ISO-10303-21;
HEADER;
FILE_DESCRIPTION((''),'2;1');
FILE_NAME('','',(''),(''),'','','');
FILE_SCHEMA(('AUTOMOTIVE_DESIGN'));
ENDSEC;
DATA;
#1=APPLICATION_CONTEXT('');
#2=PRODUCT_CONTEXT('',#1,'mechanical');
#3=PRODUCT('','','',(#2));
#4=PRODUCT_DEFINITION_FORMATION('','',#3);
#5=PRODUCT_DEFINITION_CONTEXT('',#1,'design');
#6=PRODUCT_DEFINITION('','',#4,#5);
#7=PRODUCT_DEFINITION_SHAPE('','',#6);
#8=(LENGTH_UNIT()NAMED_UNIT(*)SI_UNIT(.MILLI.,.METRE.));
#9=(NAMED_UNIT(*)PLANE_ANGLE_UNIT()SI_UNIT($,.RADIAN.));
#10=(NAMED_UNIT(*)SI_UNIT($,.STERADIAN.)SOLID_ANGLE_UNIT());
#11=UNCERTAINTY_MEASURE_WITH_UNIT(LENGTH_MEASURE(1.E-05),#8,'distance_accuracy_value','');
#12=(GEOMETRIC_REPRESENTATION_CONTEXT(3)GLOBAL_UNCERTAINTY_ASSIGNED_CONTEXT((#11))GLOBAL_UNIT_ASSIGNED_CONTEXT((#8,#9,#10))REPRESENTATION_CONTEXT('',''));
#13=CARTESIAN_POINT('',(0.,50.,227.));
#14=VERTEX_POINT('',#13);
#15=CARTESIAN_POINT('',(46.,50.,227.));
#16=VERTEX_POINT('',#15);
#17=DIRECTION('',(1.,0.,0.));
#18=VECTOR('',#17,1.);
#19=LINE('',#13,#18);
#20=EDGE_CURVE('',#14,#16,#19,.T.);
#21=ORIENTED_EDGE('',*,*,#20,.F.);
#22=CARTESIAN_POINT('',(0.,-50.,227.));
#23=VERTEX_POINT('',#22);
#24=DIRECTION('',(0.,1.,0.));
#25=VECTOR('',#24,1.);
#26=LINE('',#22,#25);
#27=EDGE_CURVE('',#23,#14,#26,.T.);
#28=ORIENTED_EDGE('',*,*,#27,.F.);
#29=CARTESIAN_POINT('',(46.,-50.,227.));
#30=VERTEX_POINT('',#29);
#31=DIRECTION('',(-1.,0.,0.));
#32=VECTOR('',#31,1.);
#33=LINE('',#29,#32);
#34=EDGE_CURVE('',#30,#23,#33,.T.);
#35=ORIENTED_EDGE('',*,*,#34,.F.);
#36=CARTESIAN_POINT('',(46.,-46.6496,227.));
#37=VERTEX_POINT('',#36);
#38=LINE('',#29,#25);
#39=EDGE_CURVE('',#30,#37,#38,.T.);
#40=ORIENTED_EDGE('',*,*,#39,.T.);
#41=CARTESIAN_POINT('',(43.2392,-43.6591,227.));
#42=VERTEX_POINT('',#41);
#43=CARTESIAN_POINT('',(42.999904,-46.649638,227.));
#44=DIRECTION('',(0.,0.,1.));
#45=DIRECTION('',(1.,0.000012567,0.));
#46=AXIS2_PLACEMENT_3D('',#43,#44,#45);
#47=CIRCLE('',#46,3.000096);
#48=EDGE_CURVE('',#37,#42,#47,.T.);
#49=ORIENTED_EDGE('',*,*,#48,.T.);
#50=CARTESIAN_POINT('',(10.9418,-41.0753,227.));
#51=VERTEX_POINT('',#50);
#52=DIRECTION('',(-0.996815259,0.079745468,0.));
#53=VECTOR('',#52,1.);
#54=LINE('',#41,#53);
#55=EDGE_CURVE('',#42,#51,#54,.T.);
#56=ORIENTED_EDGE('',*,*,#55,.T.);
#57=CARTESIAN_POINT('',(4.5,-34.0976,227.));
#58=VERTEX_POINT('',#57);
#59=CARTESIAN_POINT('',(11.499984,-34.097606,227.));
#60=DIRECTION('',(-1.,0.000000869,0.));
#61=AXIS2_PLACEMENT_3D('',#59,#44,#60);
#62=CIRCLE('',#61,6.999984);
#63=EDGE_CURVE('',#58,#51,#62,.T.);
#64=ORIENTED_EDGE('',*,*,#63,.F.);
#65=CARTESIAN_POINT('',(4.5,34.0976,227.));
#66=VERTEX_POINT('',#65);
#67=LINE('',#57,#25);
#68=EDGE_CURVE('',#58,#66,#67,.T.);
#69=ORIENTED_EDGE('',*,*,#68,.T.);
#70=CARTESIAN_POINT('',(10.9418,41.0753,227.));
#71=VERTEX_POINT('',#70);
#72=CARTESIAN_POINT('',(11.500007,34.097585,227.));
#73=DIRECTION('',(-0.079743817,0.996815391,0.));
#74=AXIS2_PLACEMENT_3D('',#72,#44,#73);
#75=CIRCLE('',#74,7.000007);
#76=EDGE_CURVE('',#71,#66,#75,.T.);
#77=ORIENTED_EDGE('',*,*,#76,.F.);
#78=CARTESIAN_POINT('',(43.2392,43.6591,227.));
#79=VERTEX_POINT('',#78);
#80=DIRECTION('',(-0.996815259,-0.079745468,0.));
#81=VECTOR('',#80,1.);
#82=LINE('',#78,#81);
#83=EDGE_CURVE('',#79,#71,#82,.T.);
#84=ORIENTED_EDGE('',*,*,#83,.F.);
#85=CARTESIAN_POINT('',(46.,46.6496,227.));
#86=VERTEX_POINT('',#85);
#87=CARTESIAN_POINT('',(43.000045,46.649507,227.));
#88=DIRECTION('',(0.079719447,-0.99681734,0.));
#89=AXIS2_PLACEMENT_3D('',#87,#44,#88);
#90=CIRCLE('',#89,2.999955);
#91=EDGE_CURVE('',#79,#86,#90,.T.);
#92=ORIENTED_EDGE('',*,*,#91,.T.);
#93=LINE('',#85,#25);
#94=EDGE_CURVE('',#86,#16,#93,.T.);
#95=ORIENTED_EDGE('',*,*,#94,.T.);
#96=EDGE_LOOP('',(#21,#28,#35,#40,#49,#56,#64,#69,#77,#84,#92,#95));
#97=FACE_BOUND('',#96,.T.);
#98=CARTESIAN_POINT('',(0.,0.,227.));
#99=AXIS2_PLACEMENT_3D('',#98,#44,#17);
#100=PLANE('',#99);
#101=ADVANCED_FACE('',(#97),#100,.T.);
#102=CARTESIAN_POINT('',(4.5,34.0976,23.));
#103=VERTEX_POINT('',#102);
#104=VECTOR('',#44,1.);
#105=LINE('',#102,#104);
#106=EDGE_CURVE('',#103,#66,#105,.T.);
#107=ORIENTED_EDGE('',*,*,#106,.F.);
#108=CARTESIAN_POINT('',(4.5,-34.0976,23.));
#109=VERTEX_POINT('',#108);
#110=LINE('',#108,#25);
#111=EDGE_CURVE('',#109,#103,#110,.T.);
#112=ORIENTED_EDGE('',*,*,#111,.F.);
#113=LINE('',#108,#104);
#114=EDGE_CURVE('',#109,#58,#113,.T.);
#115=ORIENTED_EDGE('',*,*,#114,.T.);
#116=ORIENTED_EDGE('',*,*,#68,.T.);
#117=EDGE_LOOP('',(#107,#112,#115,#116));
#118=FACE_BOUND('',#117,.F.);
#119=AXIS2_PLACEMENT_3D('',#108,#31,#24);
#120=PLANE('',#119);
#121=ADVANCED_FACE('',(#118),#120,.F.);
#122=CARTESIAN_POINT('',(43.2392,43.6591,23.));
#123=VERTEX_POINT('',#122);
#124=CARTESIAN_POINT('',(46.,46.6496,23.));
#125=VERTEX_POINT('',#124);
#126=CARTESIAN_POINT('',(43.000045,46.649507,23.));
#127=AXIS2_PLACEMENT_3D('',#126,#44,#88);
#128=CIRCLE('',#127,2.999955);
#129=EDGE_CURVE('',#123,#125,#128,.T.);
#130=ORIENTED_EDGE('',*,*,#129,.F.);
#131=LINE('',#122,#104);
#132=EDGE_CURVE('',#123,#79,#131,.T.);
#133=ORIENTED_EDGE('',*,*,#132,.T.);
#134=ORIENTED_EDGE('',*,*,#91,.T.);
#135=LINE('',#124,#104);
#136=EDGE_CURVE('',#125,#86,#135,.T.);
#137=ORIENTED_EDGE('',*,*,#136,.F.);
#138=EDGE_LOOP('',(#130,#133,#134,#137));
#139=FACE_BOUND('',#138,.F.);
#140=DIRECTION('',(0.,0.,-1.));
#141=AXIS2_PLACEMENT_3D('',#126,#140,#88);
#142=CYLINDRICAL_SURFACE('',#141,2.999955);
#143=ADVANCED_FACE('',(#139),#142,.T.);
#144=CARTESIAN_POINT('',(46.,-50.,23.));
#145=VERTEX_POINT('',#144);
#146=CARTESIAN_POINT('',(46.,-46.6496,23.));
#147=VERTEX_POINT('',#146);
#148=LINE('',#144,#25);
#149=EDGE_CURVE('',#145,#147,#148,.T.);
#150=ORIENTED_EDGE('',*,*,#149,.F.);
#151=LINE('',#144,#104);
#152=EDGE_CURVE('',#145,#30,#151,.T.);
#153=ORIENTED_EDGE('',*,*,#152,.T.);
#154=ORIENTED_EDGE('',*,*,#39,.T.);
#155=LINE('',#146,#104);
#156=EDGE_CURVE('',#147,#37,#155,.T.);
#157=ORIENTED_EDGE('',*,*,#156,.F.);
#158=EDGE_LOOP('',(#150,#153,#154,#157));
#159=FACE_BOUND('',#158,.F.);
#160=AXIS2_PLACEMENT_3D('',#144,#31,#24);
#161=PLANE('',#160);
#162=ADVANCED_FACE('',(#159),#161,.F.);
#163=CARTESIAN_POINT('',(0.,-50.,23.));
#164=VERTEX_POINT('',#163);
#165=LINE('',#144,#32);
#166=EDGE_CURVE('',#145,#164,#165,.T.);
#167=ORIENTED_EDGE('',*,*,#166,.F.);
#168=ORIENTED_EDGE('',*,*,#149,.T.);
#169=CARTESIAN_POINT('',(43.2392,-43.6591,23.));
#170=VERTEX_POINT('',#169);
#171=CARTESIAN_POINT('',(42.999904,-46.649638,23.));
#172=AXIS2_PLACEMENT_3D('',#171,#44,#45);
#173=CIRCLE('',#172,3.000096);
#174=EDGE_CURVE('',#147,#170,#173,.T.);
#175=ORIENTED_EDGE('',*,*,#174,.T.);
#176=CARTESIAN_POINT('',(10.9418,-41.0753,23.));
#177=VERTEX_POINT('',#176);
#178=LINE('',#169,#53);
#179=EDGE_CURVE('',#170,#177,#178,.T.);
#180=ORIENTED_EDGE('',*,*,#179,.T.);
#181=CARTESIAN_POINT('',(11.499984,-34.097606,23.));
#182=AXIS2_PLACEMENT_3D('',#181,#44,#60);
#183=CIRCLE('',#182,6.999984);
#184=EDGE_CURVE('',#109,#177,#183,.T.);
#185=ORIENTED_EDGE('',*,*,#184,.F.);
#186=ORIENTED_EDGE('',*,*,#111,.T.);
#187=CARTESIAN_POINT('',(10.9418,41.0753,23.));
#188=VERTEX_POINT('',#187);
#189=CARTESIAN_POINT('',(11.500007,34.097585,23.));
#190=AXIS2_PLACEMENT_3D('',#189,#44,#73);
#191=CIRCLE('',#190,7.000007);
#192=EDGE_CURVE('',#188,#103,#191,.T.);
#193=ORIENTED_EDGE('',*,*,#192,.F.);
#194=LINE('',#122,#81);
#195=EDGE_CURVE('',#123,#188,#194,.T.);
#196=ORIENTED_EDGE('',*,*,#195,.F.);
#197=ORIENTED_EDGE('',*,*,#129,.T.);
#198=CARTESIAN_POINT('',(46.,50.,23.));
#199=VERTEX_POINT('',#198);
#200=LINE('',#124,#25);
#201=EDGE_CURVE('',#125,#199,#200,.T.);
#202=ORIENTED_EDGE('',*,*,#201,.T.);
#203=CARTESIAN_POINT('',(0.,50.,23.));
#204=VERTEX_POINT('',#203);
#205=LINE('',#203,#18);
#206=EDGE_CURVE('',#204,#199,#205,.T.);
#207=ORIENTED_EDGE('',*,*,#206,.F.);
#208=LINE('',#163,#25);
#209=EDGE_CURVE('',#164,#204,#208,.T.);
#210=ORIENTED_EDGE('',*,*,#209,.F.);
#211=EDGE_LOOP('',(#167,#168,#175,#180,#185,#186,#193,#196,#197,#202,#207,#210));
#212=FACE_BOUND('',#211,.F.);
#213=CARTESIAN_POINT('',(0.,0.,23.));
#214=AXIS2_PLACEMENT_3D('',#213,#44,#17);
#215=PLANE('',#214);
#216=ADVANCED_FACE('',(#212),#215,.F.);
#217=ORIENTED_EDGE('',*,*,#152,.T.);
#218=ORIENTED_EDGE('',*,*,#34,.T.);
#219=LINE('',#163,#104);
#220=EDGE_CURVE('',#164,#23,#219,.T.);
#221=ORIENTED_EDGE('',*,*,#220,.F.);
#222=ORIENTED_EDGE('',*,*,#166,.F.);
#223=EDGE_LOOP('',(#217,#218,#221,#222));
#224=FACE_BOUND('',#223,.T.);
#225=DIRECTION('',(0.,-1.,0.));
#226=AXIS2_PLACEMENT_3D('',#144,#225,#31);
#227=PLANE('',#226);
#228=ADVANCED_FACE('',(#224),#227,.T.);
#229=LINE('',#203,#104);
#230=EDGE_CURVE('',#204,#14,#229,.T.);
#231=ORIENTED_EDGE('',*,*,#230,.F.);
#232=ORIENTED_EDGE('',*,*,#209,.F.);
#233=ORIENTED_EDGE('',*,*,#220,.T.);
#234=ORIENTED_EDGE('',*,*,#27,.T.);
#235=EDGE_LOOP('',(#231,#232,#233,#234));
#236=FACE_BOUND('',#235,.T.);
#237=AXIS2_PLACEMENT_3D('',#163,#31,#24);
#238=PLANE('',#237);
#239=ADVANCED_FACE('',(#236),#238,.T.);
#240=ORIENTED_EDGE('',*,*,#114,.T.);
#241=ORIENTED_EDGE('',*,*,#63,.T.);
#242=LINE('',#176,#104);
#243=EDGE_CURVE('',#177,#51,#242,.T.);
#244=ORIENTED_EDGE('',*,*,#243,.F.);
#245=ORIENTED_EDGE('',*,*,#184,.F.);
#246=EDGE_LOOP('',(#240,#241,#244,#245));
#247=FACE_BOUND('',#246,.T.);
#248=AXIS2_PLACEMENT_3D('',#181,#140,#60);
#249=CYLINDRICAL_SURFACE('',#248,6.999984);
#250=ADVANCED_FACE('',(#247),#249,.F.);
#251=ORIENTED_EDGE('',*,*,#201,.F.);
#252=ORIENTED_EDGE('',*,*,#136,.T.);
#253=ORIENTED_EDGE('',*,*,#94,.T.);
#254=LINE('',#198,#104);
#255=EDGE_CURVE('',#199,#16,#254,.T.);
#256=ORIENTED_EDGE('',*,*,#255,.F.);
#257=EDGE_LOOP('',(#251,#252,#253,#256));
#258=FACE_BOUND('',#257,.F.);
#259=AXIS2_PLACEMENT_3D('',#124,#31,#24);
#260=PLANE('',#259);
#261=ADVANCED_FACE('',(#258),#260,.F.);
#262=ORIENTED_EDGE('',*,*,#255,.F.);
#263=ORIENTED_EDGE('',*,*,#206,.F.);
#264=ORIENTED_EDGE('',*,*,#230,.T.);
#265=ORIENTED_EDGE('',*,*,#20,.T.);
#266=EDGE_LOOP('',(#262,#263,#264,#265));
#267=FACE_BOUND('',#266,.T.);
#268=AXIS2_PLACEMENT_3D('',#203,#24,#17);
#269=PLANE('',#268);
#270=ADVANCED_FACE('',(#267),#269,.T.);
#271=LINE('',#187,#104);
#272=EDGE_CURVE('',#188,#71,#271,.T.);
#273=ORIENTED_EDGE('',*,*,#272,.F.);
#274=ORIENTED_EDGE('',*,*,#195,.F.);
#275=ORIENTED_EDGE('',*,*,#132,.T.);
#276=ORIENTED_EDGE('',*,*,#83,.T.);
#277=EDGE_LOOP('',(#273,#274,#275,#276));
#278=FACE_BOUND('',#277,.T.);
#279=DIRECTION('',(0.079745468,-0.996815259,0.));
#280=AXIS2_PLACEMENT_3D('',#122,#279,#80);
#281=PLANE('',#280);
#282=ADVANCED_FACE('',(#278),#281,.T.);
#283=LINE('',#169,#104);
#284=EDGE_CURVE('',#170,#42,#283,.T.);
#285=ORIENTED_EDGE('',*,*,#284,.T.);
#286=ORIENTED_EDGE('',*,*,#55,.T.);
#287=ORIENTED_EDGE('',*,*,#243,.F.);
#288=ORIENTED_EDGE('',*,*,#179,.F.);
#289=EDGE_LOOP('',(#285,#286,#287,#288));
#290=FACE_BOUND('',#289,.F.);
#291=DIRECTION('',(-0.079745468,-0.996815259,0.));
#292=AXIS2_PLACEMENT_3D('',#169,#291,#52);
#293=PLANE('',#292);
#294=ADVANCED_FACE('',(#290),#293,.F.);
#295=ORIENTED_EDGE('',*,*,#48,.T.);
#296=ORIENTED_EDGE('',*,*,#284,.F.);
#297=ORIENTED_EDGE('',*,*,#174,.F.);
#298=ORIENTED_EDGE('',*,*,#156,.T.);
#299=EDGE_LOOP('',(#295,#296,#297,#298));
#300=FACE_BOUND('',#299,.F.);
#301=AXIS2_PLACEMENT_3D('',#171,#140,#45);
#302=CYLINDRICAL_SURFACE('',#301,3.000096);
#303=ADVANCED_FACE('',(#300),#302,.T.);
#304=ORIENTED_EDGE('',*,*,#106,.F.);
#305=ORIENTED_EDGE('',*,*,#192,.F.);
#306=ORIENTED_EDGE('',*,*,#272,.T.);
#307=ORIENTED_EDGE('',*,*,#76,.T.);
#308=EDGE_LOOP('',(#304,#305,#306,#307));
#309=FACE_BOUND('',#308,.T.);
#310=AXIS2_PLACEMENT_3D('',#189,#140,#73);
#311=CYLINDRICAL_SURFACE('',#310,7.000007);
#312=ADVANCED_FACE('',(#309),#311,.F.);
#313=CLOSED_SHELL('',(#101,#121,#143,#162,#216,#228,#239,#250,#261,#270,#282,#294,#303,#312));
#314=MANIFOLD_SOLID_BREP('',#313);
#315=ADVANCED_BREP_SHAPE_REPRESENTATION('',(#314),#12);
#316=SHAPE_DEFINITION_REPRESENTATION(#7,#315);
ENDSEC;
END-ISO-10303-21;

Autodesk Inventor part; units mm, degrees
ref_plane "Начальная плоскость" through (0, 0, 23) normal (0, 0, 1) x (1, 0, 0)
ref_plane "Конечная плоскость" through (0, 0, 227) normal (0, 0, 1) x (1, 0, 0)
sketch "Эскиз" plane through (0, 0, 0) normal (0, 0, 1) x (1, 0, 0)
  line L0 (46, -50) -> (0, -50)
  line L1 (46, -50) -> (46, -46.6496)
  line L2 (43.2392, -43.6591) -> (10.9418, -41.0753)
  line L3 (4.5, -34.0976) -> (4.5, 34.0976)
  line L4 (43.2392, 43.6591) -> (10.9418, 41.0753)
  line L5 (46, 46.6496) -> (46, 50)
  line L6 (0, 50) -> (46, 50)
  line L7 (0, -50) -> (0, 50)
  arc A0 (4.5, -34.0976) -> (10.9418, -41.0753) centre (11.5, -34.0976) ccw
  arc A1 (10.9418, 41.0753) -> (4.5, 34.0976) centre (11.5, 34.0976) ccw
  arc A2 (46, -46.6496) -> (43.2392, -43.6591) centre (43, -46.6496) ccw
  arc A3 (43.2392, 43.6591) -> (46, 46.6496) centre (43, 46.6496) ccw
  line L8 (0, 70) -> (0, -70) construction
  line L9 (-9.3169, 0) -> (55.9016, 0) construction
  point P0 (46, -43.88)
  point P1 (4.5, -40.56)
  point P2 (4.5, 40.56)
  point P3 (46, 43.88)
  dimension "d3" = 46
  dimension "d5" = 4.5
  dimension "d7" = 100
  dimension "d9" = 9.44
  dimension "d11" = 9.44
  dimension "d13" = 6.12
  dimension "d15" = 6.12
  dimension "d22" = 7
  dimension "d23" = 3
  dimension "d24" = 50
  dimension "d25" = 0
extrude "Тело" add sketch "Эскиз" along normal up to surface (204 mm away) from surface at 23
sketch "Sketch3" plane through (0, 0, 0) normal (0, 0, 1) x (1, 0, 0)
  line L0 (0, 0) -> (10, 0)
ref_plane "Work Plane7" through (0, 0, 0) normal (0, -1, 0) x (1, 0, 0)
sketch "Sketch4" plane through (0, 0, 0) normal (0, -1, 0) x (1, 0, 0)
  line L0 (-2, 23) -> (12, 23)
  line L1 (-2, 227) -> (12, 227)
  dimension "d29" = 204
ref_plane "РабПлоскость8" through (-82, -50, 23) normal (0, 0, -1) x (-1, 0, 0)
split "Разделение1" plane through (-82, -50, 23) removes the side toward (0, 0, -1)
ref_plane "РабПлоскость9" through (368, -50, 227) normal (0, 0, 1) x (1, 0, 0)
split "Разделение2" plane through (368, -50, 227) removes the side toward (0, 0, 1)
equation "\"d3\" = b"
equation "\"d5\" = t1"
equation "\"d7\" = ParH"
equation "\"d9\" = msp_x1 + t2"
equation "\"d11\" = msp_x1 + t2"
equation "\"d13\" = -msp_x2 + t2"
equation "\"d15\" = -msp_x2 + t2"
equation "\"d22\" = R"
equation "\"d23\" = R1"
equation "\"d24\" = 0.5 * d7"
equation "\"d16\" = G_L"
equation "\"R1\" = 3"
equation "\"R\" = 7"
equation "\"t1\" = 4.5"
equation "\"t2\" = 7.6"
equation "\"ParH\" = 100"
equation "\"b\" = 46"
equation "\"msp_x1\" = 0.04 * b"
equation "\"msp_x2\" = -0.08 * t1 + 0.04 * b"
equation "\"G_L\" = d29"
equation "\"ex\" = 0"
equation "\"G_OFFSET_START\" = -23"
equation "\"G_OFFSET_END\" = -23"
equation "\"d26\" = -G_OFFSET_START"
equation "\"d27\" = G_OFFSET_END + B_L"
equation "\"B_L\" = 250"
properties part number "Швеллер 10U-204 ГОСТ 8240-97" material "Сталь, мягкая, сварочная"
